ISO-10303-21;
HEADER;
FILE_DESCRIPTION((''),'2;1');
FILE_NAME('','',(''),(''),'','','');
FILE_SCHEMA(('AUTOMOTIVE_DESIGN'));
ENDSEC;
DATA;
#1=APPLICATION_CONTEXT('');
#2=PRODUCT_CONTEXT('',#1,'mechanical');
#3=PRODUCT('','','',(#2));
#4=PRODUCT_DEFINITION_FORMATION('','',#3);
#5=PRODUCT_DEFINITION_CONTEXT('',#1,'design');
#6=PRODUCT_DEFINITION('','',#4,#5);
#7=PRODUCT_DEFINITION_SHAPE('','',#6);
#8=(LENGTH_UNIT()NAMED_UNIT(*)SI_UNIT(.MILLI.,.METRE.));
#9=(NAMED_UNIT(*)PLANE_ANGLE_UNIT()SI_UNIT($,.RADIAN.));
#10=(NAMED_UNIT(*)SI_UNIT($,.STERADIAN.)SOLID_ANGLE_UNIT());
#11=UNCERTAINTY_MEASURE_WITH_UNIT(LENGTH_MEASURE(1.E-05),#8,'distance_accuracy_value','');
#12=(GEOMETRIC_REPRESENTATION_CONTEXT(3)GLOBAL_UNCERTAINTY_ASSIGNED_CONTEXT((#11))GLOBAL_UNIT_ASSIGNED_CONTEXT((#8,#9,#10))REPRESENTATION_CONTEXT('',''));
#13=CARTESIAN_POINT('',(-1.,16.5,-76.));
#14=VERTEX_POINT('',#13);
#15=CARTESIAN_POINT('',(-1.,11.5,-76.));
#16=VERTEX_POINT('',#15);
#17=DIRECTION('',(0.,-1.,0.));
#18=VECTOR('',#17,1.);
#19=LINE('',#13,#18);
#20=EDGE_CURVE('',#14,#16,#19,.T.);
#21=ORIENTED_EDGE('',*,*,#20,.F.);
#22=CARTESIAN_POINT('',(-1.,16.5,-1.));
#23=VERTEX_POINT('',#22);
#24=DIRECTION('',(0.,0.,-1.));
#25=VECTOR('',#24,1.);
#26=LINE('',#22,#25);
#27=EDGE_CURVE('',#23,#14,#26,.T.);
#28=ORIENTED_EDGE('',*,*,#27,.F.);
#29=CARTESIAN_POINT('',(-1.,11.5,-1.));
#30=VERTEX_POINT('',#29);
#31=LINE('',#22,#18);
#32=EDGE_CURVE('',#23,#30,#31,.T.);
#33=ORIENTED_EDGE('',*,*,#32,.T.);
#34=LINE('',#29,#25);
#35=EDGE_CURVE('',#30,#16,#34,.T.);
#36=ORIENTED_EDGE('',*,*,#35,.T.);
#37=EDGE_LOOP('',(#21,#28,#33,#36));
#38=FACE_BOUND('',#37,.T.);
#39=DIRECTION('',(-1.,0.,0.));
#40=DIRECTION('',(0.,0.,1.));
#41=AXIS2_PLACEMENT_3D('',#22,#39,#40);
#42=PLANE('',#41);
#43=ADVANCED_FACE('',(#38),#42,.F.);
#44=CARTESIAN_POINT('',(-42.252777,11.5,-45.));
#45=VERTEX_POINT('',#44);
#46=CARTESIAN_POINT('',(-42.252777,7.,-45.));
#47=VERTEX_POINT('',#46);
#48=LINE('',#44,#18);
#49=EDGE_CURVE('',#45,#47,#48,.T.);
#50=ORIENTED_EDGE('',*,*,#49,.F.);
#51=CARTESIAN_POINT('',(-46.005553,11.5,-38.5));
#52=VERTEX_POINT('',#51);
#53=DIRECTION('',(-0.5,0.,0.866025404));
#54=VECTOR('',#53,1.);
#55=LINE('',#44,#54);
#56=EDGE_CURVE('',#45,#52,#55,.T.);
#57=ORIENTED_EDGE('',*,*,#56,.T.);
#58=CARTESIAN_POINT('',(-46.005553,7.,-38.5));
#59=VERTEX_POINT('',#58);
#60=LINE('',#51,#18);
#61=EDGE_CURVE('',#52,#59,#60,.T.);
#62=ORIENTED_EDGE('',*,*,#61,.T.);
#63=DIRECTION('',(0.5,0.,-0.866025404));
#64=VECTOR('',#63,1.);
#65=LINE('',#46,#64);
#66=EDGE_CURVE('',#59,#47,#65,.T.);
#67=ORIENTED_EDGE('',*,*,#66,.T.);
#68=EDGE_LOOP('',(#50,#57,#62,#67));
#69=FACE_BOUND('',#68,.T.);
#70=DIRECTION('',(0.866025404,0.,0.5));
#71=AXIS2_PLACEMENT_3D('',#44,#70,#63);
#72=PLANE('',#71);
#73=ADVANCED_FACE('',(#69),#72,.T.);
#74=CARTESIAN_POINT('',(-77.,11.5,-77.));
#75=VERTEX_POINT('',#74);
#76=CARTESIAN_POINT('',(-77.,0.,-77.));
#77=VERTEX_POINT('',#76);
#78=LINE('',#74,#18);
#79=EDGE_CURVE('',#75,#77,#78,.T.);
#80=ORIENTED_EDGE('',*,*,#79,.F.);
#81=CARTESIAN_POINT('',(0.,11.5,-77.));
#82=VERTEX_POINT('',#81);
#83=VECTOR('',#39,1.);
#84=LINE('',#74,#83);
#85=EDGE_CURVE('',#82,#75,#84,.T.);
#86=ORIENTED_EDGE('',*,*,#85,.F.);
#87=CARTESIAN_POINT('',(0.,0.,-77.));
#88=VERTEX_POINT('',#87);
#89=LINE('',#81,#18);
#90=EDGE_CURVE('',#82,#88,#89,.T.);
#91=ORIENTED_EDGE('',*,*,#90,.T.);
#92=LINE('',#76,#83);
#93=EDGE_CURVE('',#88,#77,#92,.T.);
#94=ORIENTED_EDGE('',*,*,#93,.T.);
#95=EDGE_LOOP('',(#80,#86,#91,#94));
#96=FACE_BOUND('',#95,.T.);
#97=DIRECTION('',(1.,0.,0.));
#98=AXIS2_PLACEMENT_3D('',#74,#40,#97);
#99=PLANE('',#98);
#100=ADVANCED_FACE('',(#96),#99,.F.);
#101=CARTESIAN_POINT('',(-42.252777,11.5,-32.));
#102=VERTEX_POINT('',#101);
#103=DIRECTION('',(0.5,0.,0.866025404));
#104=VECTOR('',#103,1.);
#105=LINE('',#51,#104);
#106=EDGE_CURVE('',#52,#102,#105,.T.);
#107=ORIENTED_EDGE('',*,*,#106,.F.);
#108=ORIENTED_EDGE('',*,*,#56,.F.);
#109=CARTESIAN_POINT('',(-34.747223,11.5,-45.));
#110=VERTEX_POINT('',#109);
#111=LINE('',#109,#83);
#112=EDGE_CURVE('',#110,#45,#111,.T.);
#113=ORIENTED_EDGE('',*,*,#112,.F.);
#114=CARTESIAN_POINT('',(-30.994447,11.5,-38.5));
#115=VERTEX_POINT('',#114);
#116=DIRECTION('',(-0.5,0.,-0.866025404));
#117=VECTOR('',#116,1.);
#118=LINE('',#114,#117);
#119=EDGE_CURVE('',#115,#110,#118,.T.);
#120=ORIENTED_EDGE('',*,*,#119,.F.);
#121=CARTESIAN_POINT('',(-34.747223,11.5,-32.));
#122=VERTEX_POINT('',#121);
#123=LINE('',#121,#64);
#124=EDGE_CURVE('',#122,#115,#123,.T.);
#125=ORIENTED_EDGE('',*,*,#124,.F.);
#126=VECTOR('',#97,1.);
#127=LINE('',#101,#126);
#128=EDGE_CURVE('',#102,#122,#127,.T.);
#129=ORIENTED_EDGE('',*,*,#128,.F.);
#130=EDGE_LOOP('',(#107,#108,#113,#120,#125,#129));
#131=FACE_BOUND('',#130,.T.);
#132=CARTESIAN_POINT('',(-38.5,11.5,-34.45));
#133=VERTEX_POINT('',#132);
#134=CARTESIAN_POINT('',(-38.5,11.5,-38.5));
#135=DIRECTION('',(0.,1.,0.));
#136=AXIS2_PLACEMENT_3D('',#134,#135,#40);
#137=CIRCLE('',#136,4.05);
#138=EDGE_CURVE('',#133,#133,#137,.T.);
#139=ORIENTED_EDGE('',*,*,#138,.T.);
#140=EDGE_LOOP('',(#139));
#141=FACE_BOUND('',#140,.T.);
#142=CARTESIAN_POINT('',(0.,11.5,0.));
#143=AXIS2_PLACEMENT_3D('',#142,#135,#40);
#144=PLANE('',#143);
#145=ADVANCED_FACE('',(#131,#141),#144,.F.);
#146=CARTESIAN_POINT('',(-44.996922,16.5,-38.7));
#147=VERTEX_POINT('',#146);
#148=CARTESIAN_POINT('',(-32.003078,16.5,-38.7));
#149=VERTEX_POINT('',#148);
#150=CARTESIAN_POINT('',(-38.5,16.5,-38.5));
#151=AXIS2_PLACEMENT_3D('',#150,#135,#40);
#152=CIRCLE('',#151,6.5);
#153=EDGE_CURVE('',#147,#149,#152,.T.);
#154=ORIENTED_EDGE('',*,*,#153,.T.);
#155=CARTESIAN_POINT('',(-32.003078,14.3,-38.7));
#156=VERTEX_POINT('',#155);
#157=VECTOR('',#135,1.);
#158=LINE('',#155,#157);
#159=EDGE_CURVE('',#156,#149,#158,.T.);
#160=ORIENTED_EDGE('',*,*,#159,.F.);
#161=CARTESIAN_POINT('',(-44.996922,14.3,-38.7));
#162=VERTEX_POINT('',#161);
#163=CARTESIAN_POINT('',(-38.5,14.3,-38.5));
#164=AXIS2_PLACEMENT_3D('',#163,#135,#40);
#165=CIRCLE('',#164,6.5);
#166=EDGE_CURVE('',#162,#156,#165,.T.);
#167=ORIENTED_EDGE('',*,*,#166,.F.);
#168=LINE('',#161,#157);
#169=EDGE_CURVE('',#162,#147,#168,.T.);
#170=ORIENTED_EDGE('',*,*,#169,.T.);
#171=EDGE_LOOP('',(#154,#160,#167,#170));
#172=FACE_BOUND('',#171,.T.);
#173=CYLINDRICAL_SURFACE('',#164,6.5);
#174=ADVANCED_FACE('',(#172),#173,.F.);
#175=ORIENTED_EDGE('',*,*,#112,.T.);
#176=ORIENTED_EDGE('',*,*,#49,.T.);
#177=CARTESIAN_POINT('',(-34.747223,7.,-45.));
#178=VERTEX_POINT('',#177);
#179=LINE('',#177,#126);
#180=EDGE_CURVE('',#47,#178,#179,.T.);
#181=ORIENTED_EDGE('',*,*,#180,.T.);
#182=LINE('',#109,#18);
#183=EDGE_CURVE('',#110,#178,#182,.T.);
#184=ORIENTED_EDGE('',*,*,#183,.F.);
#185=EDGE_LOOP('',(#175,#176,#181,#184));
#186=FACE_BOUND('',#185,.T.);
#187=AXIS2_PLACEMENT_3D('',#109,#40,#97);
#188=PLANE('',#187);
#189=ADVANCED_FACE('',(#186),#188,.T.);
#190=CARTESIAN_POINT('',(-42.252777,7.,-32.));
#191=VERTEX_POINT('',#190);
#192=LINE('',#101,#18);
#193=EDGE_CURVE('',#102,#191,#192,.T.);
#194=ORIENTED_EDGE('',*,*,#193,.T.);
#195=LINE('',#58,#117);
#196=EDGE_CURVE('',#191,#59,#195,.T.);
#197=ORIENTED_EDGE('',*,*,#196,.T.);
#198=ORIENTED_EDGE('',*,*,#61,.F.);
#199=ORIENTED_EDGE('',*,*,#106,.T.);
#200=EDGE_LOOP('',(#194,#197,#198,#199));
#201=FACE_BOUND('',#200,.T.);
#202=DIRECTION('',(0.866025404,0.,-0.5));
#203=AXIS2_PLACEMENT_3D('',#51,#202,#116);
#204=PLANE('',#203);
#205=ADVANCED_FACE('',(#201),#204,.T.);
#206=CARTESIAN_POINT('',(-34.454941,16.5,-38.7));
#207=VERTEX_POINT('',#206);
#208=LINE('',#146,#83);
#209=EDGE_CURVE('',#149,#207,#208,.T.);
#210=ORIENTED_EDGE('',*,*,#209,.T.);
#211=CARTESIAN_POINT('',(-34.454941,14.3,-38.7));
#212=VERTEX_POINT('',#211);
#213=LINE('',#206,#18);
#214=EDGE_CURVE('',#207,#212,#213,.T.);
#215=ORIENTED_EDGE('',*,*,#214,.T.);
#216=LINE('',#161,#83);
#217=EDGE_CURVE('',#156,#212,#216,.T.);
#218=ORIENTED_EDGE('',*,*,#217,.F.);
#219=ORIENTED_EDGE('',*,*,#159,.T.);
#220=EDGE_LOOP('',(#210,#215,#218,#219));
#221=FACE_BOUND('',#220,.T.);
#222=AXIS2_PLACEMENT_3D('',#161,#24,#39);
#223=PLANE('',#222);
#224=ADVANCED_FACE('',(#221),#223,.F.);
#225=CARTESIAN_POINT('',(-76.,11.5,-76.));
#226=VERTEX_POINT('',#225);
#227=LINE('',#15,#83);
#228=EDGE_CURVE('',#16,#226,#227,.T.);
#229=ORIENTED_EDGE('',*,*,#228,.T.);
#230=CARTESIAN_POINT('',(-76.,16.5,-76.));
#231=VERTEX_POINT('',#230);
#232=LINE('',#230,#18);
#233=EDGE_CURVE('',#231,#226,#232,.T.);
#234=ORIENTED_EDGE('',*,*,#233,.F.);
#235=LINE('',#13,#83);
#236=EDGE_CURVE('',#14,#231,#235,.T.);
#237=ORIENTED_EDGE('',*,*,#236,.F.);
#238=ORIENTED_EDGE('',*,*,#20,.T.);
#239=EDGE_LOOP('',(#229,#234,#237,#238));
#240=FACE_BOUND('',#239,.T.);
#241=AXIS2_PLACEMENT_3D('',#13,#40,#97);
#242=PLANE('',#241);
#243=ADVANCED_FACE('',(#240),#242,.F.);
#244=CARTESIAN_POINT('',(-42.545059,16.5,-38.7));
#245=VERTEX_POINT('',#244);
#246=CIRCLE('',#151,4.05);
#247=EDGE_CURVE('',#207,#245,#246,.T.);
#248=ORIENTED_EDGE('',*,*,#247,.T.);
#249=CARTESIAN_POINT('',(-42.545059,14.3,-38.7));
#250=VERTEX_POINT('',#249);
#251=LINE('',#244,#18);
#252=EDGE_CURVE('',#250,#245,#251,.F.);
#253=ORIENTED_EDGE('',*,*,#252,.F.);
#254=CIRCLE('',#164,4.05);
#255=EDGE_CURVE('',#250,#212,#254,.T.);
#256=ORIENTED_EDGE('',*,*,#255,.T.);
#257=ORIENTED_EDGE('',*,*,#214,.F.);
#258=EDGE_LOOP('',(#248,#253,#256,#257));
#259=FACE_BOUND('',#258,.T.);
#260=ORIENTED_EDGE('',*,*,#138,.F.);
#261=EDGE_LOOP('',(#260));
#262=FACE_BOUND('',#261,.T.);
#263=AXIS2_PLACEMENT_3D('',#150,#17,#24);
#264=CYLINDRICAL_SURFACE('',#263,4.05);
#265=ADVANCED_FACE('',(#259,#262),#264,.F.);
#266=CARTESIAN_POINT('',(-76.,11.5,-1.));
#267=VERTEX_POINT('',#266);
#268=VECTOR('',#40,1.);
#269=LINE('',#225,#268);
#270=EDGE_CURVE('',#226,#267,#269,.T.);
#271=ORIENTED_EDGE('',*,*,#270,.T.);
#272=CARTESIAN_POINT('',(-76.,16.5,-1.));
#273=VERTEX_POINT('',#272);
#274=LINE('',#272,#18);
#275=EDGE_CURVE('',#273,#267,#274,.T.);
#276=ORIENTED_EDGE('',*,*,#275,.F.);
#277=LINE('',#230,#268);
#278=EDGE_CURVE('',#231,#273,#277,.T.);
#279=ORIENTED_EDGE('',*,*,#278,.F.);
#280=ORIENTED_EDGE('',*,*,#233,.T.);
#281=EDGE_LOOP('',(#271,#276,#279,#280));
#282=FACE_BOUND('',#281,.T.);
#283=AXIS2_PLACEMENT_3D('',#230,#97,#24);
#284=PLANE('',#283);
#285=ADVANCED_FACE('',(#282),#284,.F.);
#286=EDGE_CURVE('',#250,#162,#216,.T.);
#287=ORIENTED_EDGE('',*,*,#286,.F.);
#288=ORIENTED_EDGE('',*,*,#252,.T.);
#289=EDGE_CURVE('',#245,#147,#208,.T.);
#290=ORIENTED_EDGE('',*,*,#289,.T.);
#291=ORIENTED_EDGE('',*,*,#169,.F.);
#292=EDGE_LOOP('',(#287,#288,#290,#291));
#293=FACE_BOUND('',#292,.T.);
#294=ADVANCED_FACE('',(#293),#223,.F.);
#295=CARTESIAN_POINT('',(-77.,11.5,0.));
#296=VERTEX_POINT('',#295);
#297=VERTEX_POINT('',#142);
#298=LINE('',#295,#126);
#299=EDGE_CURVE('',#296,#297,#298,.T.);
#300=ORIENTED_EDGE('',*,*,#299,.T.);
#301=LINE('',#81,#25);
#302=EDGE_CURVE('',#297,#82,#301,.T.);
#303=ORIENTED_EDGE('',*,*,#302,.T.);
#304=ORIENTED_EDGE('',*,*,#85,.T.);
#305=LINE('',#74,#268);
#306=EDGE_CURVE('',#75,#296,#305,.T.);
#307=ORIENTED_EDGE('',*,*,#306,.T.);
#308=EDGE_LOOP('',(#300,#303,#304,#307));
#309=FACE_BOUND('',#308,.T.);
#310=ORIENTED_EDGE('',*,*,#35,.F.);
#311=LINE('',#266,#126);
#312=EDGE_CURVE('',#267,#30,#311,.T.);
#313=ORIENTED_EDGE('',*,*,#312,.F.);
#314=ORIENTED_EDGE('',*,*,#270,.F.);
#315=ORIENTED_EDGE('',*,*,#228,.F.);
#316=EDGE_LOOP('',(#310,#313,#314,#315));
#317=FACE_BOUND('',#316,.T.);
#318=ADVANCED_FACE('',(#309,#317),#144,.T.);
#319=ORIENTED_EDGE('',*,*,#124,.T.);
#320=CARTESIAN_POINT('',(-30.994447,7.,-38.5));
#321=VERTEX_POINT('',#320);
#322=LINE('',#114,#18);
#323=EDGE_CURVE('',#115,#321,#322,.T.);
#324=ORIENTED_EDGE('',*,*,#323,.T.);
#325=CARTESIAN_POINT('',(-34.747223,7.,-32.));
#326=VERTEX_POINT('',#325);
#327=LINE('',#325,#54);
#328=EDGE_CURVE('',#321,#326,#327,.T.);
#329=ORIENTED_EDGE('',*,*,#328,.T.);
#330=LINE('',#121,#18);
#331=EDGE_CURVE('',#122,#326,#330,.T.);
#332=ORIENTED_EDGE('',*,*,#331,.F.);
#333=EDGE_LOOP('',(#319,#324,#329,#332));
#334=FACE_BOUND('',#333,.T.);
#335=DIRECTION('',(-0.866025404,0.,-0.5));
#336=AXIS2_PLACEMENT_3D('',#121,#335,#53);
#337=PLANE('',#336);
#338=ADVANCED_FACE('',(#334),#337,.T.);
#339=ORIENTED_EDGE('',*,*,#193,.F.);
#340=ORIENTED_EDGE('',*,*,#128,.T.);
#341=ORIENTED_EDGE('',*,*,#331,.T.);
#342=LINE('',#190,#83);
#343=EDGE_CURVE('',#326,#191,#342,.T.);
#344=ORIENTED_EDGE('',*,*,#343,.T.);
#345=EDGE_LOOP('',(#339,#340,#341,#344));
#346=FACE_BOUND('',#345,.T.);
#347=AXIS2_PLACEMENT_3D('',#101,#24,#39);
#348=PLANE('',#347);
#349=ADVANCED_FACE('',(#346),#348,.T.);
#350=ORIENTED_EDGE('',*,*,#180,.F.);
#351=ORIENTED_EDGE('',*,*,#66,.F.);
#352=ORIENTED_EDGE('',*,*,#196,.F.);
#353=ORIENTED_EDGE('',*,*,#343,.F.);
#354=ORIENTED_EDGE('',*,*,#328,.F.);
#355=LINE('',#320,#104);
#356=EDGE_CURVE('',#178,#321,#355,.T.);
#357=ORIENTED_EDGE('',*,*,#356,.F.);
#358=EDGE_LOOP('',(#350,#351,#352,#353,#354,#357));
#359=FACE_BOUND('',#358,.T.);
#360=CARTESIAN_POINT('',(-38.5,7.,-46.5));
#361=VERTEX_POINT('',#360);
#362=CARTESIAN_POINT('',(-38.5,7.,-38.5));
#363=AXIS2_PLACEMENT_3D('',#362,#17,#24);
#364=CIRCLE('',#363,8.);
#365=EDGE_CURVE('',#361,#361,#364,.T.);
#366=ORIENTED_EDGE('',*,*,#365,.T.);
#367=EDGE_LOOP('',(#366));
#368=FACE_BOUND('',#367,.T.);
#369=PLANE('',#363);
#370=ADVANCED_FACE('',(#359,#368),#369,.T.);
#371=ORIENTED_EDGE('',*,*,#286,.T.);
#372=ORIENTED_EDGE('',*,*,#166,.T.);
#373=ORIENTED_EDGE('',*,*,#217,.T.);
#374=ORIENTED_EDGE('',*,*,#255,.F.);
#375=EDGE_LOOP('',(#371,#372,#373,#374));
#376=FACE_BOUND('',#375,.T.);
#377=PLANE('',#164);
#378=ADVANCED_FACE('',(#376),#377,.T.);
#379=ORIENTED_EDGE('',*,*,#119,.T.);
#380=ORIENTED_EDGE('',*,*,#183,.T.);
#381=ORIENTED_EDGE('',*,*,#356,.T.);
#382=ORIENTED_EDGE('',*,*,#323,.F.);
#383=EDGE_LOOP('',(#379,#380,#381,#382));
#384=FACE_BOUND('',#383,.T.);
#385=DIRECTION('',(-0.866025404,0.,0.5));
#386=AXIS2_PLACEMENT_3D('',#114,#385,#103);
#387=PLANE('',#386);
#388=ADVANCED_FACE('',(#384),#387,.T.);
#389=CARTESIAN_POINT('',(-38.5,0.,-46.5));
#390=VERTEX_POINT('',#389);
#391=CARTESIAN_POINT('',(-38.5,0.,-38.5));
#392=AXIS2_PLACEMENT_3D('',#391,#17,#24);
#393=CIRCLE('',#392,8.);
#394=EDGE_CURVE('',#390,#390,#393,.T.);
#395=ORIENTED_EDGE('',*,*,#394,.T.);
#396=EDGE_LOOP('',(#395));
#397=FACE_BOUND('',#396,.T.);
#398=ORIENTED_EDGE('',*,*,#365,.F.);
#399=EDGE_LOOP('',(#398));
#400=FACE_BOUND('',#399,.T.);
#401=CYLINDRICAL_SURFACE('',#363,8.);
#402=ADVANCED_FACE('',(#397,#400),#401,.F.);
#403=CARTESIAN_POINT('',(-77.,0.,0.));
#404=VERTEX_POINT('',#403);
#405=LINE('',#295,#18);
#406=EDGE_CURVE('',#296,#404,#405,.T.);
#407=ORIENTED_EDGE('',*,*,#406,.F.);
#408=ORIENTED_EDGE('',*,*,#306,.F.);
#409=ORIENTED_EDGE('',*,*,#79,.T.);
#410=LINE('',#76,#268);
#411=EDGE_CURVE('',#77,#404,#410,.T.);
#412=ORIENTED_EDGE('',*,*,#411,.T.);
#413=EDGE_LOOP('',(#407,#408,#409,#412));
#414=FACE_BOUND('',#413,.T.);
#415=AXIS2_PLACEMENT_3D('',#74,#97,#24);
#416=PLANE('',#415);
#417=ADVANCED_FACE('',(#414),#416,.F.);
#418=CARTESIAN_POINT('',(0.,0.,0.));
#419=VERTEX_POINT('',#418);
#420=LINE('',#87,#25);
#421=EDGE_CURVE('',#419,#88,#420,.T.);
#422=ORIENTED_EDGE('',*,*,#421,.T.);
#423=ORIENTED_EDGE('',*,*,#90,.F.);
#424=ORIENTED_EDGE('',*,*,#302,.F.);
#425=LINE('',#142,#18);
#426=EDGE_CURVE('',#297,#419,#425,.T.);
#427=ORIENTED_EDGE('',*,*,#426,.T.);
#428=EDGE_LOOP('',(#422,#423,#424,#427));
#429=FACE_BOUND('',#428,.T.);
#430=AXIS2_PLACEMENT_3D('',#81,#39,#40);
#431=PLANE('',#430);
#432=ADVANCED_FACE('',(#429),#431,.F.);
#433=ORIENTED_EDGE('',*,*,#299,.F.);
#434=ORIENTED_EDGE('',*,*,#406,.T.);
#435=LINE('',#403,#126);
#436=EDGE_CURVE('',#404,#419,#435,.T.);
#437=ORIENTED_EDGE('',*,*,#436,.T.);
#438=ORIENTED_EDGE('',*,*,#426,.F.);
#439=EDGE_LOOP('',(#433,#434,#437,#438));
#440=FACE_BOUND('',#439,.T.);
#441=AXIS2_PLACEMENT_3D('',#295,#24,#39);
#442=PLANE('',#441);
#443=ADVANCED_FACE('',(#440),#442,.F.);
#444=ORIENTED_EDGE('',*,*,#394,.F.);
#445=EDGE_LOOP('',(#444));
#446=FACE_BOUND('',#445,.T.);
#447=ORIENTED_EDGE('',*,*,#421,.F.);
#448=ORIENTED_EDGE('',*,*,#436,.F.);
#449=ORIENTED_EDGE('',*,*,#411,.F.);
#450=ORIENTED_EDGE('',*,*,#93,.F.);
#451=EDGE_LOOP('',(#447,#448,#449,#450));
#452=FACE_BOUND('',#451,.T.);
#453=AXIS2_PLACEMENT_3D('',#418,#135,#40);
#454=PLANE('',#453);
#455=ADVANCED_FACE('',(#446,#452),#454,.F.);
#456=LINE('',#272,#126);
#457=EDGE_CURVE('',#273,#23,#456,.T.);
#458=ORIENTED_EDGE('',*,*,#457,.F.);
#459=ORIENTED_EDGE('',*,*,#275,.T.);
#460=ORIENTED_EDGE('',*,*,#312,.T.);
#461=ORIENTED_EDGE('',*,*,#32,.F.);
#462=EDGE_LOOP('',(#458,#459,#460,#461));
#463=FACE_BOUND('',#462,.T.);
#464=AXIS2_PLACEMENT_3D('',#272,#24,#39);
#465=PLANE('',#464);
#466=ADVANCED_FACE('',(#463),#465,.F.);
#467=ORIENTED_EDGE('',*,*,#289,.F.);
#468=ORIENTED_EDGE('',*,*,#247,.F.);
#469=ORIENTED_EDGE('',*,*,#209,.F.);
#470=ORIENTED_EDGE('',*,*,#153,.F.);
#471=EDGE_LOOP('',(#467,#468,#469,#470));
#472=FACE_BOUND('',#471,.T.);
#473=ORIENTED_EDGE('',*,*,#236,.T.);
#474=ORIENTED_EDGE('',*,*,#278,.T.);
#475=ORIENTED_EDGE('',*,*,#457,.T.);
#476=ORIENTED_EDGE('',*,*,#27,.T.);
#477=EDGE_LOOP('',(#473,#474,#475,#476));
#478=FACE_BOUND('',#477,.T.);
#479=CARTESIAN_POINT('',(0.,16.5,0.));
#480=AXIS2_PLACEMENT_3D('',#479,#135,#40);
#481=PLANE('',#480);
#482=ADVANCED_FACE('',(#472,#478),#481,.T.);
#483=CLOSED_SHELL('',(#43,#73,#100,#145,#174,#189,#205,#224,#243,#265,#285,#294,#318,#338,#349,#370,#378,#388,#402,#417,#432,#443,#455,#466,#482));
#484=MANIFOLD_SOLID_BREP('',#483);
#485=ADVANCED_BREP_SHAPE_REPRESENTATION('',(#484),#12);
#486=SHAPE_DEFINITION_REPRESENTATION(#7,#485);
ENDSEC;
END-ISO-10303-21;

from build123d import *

# Parameters (mm, degrees)
SKETCH1_W           = 77
SKETCH1_H           = 77
BOSS_EXTRUDE1_DEPTH = 11.5
SKETCH2_W           = 75
SKETCH2_H           = 75
SKETCH2_R           = 4.05
BOSS_EXTRUDE2_DEPTH = 5
SKETCH3_R           = 8
CUT_EXTRUDE1_DEPTH  = 7
CUT_EXTRUDE2_DEPTH  = 2.2


with BuildPart() as part:
    # Sketch1 → Boss-Extrude1 (new body)
    with BuildSketch(Plane(origin=(0, 0, 0), x_dir=(1, 0, 0), z_dir=(0, 1, 0))):
        with Locations((-38.5, 38.5)):
            Rectangle(SKETCH1_W, SKETCH1_H)
        Polygon((-30.994446501, 38.5), (-34.74722325, 45), (-42.25277675, 45), (-46.005553499, 38.5), (-42.25277675, 32), (-34.74722325, 32), align=None, mode=Mode.SUBTRACT)
    extrude(amount=BOSS_EXTRUDE1_DEPTH)

    # Sketch2 → Boss-Extrude2 (add)
    with BuildSketch(Plane(origin=(0, 11.5, 0), x_dir=(1, 0, 0), z_dir=(0, 1, 0))):
        with Locations((-38.5, 38.5)):
            Rectangle(SKETCH2_W, SKETCH2_H)
        with Locations(Location((-38.5, 38.5, 0), (0, 0, 270))):
            Circle(SKETCH2_R, mode=Mode.SUBTRACT)
    extrude(amount=BOSS_EXTRUDE2_DEPTH)

    # Sketch3 → Cut-Extrude1 (cut)
    with BuildSketch(Plane.XZ):
        with Locations(Location((-38.5, -38.5, 0), (0, 0, 270))):
            Circle(SKETCH3_R)
    extrude(amount=-CUT_EXTRUDE1_DEPTH, mode=Mode.SUBTRACT)

    # Sketch4 → Cut-Extrude2 (cut)
    with BuildSketch(Plane(origin=(0, 16.5, 0), x_dir=(1, 0, 0), z_dir=(0, 1, 0))):
        with BuildLine():
            Line((-44.996922348, 38.7), (-32.003077652, 38.7))
            ThreePointArc((-32.003077652, 38.7), (-38.5, 32), (-44.996922348, 38.7))
        make_face()
    extrude(amount=-CUT_EXTRUDE2_DEPTH, mode=Mode.SUBTRACT)


solid = part.part
